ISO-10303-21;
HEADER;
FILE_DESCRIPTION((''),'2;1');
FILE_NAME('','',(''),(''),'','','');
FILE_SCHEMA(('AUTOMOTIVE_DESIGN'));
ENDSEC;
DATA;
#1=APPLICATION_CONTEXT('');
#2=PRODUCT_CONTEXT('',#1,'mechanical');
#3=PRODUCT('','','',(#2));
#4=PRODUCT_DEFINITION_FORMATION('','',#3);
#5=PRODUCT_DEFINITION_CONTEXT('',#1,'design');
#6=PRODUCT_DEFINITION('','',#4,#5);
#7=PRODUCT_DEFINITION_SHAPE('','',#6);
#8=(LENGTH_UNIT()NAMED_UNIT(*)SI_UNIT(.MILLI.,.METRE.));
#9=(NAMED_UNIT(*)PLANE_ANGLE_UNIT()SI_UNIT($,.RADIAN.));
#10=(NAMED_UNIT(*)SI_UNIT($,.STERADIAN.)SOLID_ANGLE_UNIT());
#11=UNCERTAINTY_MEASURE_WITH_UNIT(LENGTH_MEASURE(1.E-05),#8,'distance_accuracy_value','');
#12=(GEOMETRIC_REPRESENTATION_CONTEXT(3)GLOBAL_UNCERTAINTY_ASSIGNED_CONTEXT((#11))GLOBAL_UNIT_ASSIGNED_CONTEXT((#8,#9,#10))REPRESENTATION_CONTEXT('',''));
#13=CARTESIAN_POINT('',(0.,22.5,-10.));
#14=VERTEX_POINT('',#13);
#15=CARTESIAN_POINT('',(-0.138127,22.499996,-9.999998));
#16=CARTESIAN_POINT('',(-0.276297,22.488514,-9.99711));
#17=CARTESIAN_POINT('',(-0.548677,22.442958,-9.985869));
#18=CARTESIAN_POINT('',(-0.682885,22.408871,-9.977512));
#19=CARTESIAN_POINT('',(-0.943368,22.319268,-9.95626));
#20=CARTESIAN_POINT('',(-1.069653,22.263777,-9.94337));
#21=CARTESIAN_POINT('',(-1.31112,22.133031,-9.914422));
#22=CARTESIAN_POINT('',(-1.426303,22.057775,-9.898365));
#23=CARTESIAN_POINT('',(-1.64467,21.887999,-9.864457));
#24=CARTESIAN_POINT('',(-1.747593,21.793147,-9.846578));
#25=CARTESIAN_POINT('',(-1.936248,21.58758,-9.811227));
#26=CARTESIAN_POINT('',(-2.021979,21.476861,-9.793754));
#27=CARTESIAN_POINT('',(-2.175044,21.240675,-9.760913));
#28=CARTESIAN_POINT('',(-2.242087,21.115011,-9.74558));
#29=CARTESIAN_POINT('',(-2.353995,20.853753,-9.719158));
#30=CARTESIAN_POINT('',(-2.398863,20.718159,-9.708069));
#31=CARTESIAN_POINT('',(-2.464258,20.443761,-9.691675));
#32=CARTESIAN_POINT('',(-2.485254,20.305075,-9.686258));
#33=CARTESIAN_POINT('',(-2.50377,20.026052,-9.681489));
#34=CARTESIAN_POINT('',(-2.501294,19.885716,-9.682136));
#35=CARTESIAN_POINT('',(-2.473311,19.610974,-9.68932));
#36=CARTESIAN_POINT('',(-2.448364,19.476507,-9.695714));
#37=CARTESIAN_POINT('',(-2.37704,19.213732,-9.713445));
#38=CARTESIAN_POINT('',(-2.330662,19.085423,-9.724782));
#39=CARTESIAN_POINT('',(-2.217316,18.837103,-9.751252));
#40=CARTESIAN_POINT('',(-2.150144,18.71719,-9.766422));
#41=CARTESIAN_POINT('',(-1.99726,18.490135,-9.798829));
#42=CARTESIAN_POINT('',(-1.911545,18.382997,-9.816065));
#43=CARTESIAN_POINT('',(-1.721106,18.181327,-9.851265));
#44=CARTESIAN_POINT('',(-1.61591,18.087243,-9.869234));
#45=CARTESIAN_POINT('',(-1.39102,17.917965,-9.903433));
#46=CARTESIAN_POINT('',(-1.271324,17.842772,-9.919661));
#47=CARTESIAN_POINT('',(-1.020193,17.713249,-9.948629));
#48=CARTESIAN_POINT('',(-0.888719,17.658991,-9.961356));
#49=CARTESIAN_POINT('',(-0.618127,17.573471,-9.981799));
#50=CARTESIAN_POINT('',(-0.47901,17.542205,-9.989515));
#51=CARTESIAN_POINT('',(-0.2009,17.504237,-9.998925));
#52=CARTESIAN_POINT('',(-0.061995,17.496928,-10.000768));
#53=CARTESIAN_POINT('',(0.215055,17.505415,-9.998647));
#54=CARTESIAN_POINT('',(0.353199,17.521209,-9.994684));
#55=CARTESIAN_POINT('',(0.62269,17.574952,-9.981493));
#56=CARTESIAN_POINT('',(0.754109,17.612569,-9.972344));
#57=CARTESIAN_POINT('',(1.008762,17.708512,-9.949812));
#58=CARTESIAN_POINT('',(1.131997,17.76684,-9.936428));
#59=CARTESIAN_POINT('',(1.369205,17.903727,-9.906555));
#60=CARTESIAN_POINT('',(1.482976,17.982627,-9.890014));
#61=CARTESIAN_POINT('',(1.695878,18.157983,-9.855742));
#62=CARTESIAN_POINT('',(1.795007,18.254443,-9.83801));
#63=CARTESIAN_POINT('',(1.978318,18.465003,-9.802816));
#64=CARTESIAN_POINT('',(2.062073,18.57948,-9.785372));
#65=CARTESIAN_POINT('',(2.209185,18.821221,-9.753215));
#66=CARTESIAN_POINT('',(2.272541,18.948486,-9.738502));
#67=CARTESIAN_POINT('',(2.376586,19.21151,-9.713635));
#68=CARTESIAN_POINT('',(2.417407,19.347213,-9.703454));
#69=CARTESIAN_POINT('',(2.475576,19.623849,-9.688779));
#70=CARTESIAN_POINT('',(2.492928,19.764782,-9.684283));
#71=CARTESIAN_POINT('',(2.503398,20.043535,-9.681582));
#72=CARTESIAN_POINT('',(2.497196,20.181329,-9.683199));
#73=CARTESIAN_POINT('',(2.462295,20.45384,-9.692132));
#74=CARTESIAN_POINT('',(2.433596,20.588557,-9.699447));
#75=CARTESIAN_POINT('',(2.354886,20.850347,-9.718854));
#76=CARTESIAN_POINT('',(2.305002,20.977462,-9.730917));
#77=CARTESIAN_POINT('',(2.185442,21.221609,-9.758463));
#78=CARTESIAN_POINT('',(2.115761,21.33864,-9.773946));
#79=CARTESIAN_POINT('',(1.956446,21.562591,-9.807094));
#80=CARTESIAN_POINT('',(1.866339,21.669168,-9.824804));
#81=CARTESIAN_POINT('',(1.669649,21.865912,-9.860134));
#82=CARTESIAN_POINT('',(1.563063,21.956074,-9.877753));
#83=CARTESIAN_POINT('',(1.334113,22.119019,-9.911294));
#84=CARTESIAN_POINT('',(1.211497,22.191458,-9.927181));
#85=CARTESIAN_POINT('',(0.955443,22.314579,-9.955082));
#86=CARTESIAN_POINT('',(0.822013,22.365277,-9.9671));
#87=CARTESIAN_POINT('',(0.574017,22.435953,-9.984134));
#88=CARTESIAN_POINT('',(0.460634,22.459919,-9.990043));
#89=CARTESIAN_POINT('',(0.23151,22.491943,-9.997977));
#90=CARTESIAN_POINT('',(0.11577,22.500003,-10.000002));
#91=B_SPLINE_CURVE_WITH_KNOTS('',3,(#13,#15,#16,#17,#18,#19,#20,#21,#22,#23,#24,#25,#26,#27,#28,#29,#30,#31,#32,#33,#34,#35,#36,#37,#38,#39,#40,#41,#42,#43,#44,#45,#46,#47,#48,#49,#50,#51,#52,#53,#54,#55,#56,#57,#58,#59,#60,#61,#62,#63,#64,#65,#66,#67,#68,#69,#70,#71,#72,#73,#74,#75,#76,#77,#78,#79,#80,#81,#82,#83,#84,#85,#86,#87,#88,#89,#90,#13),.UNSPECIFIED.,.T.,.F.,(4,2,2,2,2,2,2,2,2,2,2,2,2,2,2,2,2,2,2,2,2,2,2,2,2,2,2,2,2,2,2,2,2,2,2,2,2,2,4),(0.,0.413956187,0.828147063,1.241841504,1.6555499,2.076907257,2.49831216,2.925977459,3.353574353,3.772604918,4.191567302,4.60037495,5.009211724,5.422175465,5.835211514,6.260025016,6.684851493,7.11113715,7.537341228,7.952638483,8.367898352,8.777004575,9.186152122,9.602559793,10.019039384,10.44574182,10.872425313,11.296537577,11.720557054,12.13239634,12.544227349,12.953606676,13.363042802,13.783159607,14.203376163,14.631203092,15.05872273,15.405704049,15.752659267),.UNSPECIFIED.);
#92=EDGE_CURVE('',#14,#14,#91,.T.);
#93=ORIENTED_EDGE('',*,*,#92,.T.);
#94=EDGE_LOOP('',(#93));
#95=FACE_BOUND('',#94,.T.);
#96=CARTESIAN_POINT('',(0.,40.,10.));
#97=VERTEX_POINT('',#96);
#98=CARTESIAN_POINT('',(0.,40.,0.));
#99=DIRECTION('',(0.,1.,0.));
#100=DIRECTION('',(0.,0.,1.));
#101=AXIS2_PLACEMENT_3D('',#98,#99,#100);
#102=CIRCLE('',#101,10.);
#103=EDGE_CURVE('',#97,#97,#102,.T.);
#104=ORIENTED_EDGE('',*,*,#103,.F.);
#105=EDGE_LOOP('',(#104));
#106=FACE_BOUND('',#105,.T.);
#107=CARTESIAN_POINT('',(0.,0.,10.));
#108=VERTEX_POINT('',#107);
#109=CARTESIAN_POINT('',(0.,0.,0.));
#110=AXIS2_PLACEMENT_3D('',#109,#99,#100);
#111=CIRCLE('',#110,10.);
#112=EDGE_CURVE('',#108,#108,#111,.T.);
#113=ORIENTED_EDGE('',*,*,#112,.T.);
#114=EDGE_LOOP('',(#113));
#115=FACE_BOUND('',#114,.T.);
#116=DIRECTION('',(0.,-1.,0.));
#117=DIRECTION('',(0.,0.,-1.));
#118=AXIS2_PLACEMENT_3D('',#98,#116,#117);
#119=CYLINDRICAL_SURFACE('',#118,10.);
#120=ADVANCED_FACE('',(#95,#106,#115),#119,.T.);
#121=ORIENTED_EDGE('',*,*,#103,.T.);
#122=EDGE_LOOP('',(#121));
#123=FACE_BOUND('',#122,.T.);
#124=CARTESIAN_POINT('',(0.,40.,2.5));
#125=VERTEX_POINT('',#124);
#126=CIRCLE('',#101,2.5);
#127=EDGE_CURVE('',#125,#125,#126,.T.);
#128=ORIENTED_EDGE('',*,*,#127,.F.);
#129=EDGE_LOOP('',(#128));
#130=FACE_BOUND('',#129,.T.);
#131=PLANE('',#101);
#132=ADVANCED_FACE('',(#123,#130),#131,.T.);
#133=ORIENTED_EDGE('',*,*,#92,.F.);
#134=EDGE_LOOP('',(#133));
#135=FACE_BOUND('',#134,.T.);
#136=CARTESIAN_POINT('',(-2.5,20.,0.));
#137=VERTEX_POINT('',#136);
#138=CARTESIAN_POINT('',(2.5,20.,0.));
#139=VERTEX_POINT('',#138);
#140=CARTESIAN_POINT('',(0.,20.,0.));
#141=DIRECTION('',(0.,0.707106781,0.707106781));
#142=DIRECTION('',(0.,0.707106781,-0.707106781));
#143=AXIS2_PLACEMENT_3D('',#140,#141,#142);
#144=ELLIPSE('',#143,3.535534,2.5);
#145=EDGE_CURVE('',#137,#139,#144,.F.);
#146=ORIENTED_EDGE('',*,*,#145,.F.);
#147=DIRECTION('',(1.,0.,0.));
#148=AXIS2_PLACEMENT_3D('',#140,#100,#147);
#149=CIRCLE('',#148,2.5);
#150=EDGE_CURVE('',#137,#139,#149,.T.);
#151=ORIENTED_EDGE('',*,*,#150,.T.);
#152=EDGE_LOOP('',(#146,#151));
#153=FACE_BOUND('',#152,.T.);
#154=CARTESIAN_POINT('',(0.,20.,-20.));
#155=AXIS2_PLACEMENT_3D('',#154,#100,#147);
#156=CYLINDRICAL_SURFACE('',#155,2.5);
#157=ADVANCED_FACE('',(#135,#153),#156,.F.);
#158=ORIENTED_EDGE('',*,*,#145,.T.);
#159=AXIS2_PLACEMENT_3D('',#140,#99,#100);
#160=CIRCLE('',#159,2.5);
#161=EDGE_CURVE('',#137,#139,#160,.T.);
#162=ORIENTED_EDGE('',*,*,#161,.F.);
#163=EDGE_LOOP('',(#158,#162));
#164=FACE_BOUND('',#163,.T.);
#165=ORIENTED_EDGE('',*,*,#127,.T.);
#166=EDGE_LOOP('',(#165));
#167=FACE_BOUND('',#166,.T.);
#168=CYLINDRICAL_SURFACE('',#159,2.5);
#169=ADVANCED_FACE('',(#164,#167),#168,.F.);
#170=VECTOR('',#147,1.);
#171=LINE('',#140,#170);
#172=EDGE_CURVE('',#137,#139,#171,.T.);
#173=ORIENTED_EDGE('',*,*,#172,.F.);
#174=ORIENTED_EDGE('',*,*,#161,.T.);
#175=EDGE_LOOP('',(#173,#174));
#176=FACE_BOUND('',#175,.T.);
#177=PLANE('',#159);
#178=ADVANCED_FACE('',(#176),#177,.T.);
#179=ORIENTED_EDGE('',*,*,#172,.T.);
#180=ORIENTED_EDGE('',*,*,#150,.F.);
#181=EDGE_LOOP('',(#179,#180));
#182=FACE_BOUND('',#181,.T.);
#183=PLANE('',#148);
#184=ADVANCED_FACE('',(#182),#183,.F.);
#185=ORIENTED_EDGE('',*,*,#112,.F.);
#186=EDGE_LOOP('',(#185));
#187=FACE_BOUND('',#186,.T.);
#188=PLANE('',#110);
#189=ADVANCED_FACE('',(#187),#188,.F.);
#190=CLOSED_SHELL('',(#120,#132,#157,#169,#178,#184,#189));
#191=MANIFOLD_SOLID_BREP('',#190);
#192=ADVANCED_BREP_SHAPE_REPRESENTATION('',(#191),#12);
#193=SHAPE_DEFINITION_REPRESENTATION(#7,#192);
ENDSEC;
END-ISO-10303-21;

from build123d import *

# Parameters (mm, degrees)
SKETCH_1_R          = 10
EXTRUDE_1_DEPTH     = 40
SKETCH_3_R          = 2.5
CUT_EXTRUDE_8_DEPTH = 20
SKETCH_4_R          = 2.5
CUT_EXTRUDE_9_DEPTH = 20


with BuildPart() as part:
    # 草图1 → 凸台-拉伸1 (new body)
    with BuildSketch(Plane(origin=(0, 0, 0), x_dir=(1, 0, 0), z_dir=(0, 1, 0))):
        with Locations(Location((0, 0, 0), (0, 0, 270))):
            Circle(SKETCH_1_R)
    extrude(amount=EXTRUDE_1_DEPTH)

    # 草图3 → 切除-拉伸8 (cut)
    with BuildSketch(Plane(origin=(0, 40, 0), x_dir=(1, 0, 0), z_dir=(0, 1, 0))):
        with Locations(Location((0, 0, 0), (0, 0, 270))):
            Circle(SKETCH_3_R)
    extrude(amount=-CUT_EXTRUDE_8_DEPTH, mode=Mode.SUBTRACT)

    # 草图4 → 切除-拉伸9 (cut)
    with BuildSketch(Plane.XY):
        with Locations((0, 20)):
            Circle(SKETCH_4_R)
    extrude(amount=-CUT_EXTRUDE_9_DEPTH, mode=Mode.SUBTRACT)


solid = part.part
